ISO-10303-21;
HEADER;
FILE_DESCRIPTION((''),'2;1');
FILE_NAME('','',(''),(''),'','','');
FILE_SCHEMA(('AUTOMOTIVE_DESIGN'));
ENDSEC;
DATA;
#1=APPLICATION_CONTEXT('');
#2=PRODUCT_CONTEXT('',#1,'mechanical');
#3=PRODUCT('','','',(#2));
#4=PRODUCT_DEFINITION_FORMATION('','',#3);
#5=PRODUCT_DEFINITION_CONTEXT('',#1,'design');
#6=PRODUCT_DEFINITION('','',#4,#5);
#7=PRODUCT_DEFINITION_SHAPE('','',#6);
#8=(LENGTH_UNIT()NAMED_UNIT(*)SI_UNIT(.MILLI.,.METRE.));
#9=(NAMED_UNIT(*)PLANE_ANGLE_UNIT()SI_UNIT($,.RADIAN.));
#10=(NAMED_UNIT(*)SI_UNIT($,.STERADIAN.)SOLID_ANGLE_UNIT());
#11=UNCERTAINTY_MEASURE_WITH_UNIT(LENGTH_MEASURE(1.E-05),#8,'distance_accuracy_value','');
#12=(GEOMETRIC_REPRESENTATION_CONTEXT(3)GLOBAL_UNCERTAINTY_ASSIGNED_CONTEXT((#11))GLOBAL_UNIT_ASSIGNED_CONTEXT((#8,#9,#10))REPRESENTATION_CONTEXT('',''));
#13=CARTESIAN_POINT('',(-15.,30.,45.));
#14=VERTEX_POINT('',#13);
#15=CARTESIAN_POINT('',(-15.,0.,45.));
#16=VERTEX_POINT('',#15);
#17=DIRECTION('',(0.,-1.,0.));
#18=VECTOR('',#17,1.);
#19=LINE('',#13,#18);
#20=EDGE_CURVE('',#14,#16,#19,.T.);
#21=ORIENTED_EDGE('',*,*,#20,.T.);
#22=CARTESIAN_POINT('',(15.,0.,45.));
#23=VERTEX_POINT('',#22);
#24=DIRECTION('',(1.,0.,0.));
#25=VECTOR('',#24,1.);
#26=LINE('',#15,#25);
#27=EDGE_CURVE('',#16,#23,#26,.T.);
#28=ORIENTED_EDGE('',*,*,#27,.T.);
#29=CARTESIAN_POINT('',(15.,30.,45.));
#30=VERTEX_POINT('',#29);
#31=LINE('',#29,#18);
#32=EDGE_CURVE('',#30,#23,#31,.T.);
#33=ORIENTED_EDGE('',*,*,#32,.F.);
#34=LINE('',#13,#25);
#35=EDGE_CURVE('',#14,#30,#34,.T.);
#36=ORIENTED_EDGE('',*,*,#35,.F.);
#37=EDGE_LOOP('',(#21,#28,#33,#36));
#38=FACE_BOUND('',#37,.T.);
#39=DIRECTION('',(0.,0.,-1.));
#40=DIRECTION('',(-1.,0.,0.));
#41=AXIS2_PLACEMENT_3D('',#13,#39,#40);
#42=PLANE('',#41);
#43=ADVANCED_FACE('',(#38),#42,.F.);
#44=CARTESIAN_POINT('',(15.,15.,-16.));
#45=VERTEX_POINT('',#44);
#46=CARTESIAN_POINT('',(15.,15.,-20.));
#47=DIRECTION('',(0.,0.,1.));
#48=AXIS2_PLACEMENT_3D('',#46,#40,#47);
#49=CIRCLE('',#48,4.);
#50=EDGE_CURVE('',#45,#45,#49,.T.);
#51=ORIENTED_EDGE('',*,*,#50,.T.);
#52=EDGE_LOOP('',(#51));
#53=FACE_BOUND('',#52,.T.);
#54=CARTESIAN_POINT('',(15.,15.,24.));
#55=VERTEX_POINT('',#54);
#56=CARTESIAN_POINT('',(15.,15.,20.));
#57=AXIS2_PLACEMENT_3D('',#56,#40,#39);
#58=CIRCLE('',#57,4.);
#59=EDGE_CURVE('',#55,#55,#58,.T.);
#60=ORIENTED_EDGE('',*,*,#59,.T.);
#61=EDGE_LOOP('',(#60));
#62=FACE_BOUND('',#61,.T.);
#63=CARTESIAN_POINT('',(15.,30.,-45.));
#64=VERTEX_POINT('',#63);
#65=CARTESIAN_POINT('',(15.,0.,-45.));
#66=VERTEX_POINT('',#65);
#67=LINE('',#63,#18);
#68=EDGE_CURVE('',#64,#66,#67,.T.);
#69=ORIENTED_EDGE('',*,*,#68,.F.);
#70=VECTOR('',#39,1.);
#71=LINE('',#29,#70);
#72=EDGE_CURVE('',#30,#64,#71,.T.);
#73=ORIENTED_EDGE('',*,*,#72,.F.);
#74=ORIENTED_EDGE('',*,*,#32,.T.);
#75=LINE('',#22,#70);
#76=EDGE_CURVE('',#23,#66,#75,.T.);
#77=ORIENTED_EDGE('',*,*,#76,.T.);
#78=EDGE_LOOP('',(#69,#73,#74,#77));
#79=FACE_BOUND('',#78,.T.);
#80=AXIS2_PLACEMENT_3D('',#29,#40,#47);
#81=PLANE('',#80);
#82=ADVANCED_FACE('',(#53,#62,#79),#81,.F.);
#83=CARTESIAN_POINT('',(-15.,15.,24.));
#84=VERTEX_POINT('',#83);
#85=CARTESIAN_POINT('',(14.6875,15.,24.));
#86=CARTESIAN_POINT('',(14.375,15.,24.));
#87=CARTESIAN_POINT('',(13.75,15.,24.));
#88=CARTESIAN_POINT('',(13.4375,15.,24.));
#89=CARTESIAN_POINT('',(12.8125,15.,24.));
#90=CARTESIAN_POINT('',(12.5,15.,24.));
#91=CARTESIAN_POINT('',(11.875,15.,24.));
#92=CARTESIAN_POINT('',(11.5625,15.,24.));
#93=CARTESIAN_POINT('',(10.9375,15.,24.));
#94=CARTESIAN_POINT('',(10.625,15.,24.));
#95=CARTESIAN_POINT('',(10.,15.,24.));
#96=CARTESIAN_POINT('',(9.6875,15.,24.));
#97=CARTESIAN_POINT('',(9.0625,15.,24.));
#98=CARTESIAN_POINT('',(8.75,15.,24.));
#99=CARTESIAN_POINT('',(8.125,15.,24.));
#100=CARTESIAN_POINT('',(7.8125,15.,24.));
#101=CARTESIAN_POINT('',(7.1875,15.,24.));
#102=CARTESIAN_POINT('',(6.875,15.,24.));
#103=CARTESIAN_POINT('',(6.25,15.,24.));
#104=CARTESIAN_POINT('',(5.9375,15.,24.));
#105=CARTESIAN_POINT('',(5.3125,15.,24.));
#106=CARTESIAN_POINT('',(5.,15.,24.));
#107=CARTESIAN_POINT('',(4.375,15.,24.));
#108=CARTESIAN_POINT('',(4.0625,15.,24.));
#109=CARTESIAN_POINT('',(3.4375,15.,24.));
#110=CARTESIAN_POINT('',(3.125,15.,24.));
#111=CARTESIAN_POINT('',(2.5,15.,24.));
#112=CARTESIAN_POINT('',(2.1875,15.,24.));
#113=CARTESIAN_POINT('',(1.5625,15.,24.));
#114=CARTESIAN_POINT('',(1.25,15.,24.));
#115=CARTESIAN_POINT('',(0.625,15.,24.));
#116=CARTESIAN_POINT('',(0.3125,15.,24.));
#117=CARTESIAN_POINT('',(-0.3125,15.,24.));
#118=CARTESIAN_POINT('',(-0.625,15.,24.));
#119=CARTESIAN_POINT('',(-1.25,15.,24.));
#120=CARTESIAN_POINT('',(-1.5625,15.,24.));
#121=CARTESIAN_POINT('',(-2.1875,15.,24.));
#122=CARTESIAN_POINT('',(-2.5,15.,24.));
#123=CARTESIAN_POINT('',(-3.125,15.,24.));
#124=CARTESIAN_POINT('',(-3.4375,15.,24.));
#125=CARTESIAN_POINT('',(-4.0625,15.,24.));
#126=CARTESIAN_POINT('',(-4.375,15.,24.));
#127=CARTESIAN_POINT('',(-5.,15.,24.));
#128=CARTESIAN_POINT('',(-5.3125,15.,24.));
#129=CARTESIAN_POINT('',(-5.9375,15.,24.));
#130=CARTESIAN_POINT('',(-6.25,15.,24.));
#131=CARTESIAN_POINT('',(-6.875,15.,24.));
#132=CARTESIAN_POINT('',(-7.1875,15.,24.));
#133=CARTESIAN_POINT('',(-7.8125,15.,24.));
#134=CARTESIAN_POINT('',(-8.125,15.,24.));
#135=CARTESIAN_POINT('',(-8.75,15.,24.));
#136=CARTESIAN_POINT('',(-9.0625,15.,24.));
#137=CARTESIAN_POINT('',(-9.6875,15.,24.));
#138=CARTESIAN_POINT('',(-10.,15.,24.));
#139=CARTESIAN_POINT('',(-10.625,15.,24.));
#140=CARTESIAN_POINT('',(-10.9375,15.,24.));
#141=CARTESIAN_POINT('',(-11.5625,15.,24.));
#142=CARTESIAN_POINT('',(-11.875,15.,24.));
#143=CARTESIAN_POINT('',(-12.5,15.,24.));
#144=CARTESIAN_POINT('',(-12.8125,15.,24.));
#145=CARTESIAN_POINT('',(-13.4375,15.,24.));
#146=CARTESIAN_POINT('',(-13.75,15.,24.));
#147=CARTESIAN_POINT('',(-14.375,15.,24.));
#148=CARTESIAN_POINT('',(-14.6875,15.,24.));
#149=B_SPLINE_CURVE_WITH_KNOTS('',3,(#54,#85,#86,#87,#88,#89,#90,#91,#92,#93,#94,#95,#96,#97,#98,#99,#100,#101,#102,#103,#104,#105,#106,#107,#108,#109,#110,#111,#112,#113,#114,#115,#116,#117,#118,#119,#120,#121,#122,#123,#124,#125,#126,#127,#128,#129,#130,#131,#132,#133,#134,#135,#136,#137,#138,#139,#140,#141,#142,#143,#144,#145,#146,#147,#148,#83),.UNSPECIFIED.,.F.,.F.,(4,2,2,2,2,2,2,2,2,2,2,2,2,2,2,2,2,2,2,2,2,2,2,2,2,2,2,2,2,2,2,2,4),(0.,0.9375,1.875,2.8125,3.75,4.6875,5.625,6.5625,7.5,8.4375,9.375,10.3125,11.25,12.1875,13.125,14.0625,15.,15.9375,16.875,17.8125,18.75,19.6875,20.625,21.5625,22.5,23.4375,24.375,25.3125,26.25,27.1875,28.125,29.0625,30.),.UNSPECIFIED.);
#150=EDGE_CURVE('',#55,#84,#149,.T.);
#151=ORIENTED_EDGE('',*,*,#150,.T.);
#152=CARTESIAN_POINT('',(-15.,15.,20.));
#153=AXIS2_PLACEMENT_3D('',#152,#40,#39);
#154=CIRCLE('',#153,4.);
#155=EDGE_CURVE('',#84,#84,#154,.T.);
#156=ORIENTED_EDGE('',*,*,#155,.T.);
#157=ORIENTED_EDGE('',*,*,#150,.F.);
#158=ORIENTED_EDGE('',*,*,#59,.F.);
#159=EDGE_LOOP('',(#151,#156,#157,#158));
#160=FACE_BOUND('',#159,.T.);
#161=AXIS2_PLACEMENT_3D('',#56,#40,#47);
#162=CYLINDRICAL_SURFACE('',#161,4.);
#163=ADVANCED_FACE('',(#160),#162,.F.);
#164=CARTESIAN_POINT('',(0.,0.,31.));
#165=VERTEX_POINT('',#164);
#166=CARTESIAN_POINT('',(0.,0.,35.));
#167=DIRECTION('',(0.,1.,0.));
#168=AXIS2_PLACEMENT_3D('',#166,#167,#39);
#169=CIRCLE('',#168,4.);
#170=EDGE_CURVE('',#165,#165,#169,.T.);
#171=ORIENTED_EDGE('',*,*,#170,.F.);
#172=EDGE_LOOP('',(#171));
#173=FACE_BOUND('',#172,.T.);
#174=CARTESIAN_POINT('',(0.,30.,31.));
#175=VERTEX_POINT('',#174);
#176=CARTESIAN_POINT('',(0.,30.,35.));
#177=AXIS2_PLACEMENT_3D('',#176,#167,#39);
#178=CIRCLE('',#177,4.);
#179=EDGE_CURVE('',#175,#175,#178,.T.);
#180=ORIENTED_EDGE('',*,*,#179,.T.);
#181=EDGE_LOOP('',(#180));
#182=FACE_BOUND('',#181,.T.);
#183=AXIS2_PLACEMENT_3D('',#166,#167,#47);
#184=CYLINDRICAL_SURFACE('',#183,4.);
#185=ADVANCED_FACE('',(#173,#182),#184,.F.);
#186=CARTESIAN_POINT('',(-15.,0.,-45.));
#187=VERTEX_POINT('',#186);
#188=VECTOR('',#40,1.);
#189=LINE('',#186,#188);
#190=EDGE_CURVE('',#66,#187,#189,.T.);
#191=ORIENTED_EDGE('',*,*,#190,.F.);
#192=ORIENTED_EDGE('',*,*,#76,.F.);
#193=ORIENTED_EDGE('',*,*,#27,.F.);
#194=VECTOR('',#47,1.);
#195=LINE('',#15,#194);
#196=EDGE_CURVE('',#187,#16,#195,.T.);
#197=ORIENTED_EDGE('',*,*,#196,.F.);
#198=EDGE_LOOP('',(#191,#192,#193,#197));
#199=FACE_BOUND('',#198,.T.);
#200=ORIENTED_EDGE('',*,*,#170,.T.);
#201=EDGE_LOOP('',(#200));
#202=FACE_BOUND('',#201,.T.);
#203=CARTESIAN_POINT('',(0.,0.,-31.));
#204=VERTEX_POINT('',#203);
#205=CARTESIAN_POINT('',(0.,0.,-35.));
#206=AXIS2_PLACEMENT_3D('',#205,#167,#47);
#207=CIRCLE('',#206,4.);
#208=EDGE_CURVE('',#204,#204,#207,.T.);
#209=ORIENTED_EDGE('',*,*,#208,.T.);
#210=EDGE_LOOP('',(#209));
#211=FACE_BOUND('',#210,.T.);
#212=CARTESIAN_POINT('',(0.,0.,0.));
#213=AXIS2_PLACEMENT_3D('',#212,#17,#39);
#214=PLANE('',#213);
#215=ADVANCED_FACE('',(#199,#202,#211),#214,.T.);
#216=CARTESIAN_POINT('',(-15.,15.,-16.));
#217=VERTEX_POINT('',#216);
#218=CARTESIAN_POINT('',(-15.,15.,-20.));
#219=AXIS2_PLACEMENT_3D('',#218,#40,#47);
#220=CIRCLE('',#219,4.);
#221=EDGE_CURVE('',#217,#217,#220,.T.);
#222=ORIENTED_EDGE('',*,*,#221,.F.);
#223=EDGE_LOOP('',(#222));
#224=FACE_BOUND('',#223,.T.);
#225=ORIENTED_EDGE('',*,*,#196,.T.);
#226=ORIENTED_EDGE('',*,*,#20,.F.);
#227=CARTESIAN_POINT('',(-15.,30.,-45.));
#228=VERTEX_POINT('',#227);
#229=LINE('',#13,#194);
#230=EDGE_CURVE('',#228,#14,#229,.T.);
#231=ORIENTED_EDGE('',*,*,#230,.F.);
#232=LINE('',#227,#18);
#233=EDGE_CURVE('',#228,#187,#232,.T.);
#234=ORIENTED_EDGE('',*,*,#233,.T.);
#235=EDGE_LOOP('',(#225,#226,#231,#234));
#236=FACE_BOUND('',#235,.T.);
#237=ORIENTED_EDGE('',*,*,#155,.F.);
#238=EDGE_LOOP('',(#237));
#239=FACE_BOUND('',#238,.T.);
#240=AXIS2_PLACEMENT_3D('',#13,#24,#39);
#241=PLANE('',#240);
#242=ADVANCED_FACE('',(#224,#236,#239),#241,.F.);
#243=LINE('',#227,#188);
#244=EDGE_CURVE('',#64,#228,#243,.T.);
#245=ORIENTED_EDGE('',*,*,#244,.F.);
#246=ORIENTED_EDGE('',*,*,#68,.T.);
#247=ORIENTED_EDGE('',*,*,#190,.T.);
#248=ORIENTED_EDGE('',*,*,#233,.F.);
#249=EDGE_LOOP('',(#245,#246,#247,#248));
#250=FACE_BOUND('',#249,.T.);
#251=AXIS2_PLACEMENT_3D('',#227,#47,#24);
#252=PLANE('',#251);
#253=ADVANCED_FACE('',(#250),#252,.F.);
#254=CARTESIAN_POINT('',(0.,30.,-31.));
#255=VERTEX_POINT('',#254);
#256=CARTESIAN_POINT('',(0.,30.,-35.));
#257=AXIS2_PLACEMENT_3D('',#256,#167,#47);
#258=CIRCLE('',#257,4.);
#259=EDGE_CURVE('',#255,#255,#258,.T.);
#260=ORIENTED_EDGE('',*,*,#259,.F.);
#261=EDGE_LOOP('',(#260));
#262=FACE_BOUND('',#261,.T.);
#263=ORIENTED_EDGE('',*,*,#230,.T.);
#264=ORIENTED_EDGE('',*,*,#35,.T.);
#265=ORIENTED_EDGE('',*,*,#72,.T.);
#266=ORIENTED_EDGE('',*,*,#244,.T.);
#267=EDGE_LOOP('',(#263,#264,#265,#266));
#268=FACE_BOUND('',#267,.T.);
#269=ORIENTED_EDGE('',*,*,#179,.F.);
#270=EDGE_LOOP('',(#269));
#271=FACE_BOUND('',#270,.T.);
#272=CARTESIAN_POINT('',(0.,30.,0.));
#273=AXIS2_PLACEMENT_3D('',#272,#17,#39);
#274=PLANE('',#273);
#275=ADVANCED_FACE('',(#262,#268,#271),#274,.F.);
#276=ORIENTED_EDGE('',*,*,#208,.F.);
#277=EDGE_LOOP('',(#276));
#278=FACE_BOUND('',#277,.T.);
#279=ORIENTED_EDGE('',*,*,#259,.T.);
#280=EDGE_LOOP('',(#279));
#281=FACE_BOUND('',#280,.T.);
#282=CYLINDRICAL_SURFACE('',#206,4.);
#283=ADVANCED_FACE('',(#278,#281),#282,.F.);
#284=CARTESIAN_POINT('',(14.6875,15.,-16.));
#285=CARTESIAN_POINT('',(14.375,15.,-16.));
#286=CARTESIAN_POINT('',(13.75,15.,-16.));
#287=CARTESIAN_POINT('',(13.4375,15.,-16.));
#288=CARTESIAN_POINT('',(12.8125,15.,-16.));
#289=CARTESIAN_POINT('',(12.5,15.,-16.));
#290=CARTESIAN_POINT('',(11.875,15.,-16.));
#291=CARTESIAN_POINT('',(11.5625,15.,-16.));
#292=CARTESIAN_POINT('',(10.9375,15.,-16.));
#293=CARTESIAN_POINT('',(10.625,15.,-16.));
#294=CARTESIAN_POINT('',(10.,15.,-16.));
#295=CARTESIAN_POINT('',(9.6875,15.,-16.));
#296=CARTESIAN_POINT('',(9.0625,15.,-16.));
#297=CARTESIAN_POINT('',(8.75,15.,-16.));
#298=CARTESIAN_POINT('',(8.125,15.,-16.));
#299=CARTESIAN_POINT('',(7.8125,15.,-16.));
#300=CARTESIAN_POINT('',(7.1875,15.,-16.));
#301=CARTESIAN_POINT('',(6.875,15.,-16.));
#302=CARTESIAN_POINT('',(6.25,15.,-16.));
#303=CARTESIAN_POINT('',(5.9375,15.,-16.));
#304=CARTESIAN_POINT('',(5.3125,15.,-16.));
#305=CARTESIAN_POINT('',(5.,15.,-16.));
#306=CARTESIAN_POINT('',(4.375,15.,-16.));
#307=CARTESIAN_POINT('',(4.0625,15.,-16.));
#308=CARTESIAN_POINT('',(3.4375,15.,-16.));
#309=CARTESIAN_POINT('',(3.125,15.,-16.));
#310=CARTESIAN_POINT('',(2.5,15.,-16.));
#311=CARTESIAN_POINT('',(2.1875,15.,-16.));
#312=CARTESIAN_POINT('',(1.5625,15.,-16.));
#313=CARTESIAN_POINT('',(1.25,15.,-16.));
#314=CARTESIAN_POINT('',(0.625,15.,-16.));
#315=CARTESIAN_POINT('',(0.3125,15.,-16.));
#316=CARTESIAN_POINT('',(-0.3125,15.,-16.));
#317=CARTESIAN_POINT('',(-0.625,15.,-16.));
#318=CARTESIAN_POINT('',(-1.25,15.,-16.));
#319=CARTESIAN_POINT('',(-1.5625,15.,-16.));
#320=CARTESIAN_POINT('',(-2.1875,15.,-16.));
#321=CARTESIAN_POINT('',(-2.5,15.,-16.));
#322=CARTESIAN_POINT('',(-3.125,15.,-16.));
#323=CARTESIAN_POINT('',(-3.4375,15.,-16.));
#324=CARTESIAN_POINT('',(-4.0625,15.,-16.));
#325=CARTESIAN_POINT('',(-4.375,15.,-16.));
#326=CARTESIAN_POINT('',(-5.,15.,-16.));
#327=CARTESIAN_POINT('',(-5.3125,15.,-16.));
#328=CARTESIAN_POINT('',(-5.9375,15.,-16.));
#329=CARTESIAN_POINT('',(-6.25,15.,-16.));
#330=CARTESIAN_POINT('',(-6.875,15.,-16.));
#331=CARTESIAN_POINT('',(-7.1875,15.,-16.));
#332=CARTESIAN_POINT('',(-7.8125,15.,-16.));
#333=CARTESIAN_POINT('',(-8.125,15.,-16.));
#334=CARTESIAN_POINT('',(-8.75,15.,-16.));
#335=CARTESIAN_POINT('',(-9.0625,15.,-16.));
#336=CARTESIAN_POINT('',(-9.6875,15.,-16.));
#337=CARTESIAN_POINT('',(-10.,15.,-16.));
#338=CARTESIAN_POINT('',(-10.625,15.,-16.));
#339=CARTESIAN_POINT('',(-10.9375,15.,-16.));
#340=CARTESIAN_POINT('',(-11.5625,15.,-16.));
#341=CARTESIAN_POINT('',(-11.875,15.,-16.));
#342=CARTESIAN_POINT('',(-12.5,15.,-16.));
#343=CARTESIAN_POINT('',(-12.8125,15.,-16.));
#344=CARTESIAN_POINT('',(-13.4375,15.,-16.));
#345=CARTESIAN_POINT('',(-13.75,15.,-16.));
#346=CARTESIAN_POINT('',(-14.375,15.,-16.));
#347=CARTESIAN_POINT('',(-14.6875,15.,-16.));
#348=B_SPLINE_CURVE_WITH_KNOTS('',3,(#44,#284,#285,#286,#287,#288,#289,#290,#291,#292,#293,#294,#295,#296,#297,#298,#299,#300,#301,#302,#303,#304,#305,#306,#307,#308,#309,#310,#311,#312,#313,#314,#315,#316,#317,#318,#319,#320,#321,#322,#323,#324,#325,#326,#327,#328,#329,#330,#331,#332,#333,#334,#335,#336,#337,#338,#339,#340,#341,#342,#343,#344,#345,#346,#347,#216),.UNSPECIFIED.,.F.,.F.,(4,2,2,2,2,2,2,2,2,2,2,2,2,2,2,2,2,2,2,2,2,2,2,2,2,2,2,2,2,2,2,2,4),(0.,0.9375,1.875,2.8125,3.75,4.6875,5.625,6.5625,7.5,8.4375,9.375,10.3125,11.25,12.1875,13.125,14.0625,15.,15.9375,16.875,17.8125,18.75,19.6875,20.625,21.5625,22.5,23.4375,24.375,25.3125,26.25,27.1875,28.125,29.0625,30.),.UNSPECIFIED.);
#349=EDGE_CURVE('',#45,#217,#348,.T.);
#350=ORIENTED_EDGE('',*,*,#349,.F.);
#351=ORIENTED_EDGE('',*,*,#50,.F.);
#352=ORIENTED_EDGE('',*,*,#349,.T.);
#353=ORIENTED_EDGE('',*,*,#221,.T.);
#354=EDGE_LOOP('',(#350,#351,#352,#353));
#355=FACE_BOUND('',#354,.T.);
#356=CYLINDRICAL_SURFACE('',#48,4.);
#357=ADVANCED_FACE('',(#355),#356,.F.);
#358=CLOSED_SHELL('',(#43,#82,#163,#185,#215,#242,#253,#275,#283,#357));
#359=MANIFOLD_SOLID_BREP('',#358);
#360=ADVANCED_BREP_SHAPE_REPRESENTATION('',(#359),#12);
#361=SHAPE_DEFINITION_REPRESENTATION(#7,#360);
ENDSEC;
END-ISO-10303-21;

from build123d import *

# Parameters (mm, degrees)
SKETCH1_W           = 30
SKETCH1_H           = 90
BOSS_EXTRUDE1_DEPTH = 30
SKETCH2_R           = 4
CUT_EXTRUDE1_DEPTH  = 62.846584384
SKETCH3_R           = 4
CUT_EXTRUDE2_DEPTH  = 57.124860802


with BuildPart() as part:
    # Sketch1 → Boss-Extrude1 (new body)
    with BuildSketch(Plane(origin=(0, 0, 0), x_dir=(1, 0, 0), z_dir=(0, 1, 0))):
        Rectangle(SKETCH1_W, SKETCH1_H)
    extrude(amount=BOSS_EXTRUDE1_DEPTH)

    # Sketch2 → Cut-Extrude1 (cut, through all)
    with BuildSketch(Plane.ZY.offset(15)):
        with Locations((-20, 15)):
            Circle(SKETCH2_R)
        with Locations((20, 15)):
            Circle(SKETCH2_R)
    extrude(amount=-CUT_EXTRUDE1_DEPTH, mode=Mode.SUBTRACT)

    # Sketch3 → Cut-Extrude2 (cut, through all)
    with BuildSketch(Plane(origin=(0, 30, 0), x_dir=(1, 0, 0), z_dir=(0, 1, 0))):
        with Locations(Location((0, 35, 0), (0, 0, 270))):
            Circle(SKETCH3_R)
        with Locations(Location((0, -35, 0), (0, 0, 90))):
            Circle(SKETCH3_R)
    extrude(amount=-CUT_EXTRUDE2_DEPTH, mode=Mode.SUBTRACT)


solid = part.part
